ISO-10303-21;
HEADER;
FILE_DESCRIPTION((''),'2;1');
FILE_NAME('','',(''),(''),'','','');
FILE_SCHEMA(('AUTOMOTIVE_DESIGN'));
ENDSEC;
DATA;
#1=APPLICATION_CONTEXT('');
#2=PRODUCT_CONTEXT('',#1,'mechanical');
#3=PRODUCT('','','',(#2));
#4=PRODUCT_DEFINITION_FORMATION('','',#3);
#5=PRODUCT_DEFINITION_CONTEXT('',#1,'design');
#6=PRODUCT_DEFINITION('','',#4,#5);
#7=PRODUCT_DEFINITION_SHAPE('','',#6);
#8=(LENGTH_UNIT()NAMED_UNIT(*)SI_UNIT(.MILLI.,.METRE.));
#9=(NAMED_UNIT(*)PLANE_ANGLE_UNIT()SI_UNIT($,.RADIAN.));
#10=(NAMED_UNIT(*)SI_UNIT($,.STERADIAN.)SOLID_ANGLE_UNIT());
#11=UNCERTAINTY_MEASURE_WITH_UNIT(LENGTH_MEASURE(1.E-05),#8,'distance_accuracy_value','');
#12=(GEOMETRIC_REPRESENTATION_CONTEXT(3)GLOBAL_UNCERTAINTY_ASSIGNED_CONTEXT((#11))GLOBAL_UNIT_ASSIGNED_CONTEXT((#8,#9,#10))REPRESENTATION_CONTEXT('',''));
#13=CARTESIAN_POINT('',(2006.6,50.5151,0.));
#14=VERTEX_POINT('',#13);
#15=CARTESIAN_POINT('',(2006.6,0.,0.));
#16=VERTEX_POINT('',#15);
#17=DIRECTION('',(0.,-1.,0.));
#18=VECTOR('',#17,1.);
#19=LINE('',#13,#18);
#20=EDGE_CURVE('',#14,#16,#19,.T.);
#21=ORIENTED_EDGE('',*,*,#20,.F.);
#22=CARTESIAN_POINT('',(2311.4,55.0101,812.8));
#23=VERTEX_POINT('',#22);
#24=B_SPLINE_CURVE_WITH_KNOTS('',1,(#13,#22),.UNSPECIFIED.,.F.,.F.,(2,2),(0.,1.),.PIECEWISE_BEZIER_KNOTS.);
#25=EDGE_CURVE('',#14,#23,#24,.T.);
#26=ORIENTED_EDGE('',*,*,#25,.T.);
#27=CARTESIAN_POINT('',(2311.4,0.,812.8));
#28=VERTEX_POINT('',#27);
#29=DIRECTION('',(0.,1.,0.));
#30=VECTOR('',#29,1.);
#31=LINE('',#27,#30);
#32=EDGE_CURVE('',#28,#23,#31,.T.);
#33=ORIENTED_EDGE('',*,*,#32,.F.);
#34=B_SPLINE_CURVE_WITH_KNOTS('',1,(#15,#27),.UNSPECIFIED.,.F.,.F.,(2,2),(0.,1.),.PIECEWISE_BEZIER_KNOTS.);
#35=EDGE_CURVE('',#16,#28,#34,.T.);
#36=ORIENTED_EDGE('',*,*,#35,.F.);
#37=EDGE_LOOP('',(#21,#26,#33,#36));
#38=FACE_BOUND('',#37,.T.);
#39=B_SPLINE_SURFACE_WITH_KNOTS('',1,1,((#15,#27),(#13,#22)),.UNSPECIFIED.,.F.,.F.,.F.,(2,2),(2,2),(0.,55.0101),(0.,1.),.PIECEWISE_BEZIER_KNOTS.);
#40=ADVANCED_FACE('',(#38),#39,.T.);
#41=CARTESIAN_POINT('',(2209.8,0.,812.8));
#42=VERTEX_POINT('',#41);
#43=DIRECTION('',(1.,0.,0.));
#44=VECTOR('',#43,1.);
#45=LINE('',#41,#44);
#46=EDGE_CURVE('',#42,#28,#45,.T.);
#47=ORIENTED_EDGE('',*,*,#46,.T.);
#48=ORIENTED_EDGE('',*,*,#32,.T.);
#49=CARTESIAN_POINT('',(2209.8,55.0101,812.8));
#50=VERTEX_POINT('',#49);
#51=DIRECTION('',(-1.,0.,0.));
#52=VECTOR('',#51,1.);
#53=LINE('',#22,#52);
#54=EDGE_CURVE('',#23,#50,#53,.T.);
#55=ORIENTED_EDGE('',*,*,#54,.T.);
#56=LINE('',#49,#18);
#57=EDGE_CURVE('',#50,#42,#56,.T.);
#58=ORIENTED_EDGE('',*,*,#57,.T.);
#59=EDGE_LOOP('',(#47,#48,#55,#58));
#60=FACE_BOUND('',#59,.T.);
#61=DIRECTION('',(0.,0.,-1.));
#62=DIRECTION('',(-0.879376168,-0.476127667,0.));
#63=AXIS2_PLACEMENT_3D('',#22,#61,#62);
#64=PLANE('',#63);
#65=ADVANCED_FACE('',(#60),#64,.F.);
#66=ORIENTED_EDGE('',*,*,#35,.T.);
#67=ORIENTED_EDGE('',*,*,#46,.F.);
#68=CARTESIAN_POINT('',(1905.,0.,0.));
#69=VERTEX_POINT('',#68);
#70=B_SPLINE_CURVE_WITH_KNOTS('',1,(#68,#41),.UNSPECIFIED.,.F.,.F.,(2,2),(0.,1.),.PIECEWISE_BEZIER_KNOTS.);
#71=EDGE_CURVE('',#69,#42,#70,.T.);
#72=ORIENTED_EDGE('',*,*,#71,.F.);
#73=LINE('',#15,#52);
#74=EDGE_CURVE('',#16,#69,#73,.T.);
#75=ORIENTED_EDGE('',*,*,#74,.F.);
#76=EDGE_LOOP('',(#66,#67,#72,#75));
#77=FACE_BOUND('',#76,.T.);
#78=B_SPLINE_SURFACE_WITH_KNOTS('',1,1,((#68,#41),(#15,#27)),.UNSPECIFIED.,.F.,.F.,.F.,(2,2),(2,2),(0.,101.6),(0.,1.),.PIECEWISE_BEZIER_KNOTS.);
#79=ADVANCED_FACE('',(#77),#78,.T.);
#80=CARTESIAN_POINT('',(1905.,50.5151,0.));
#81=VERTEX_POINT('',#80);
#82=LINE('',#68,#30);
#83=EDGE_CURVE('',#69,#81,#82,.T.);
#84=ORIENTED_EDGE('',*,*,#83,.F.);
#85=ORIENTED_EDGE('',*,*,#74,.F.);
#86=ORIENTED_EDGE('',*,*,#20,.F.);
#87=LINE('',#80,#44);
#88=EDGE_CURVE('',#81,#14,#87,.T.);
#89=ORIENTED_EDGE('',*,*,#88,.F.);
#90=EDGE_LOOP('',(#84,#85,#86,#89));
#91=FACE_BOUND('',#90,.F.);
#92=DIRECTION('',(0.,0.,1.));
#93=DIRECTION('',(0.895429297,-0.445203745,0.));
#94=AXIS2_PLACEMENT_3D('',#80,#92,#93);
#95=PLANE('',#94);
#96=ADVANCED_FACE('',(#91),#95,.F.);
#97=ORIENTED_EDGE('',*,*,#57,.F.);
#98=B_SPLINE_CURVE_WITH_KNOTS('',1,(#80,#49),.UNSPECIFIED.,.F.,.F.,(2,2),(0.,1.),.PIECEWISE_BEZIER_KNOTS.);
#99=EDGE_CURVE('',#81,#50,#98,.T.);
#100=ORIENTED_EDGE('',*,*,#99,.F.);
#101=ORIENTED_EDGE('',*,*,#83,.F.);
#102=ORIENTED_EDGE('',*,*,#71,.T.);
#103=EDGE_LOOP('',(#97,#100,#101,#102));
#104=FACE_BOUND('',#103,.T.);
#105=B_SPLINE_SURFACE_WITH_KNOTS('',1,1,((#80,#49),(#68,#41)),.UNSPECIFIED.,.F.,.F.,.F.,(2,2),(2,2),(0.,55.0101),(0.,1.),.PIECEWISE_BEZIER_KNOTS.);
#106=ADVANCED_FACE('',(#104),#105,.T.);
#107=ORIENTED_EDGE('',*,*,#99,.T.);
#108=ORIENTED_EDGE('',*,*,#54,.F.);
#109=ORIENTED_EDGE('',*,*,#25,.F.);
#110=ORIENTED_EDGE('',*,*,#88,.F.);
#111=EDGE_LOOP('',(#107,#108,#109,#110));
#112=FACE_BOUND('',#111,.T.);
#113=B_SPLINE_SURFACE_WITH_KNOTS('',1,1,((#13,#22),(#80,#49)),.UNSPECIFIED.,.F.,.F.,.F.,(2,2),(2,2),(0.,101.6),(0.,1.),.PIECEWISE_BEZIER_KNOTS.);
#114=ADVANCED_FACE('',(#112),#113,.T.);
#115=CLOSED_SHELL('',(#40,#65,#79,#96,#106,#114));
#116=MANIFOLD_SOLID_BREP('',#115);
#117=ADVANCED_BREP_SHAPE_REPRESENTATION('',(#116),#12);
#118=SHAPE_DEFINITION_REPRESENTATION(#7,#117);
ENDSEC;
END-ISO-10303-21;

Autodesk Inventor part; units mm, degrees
ref_plane "YZ Plane" through (0, 0, 0) normal (1, 0, 0) x (0, 1, 0)
ref_plane "XZ Plane" through (0, 0, 0) normal (0, 1, 0) x (-1, 0, 0)
ref_plane "XY Plane" through (0, 0, 0) normal (0, 0, 1) x (1, 0, 0)
ref_plane "Work Plane1" through (0, 0, 0) normal (0, 0, 1) x (1, 0, 0)
sketch "Sketch1" plane through (0, 0, 0) normal (0, 0, 1) x (1, 0, 0)
  line L0 (1701.8, 0) -> (1701.8, 50.8) projected
  line L1 (1905, 50.5151) -> (2006.6, 50.5151)
  line L2 (2006.6, 50.5151) -> (2006.6, 0)
  line L3 (2006.6, 0) -> (1905, 0)
  line L4 (1905, 0) -> (1905, 50.5151)
  point P0 (0, 0)
  dimension "d0" = 101.6
  dimension "d1" = 203.2
ref_plane "Work Plane2" through (1701.8, 0, 812.8) normal (0, 0, -1) x (0, 1, 0)
sketch "Sketch2" plane through (1701.8, 0, 812.8) normal (0, 0, -1) x (0, 1, 0)
  line L0 (0, 0) -> (50.8, 0) projected
  line L1 (55.0101, 508) -> (0, 508)
  line L2 (0, 508) -> (0, 609.6)
  line L3 (0, 609.6) -> (55.0101, 609.6)
  line L4 (55.0101, 609.6) -> (55.0101, 508)
  point P0 (0, -1701.8)
  dimension "d2" = 101.6
  dimension "d3" = 609.6
loft "Loft1" add profiles "Sketch1", "Sketch2"
properties part number "Renamev2"
